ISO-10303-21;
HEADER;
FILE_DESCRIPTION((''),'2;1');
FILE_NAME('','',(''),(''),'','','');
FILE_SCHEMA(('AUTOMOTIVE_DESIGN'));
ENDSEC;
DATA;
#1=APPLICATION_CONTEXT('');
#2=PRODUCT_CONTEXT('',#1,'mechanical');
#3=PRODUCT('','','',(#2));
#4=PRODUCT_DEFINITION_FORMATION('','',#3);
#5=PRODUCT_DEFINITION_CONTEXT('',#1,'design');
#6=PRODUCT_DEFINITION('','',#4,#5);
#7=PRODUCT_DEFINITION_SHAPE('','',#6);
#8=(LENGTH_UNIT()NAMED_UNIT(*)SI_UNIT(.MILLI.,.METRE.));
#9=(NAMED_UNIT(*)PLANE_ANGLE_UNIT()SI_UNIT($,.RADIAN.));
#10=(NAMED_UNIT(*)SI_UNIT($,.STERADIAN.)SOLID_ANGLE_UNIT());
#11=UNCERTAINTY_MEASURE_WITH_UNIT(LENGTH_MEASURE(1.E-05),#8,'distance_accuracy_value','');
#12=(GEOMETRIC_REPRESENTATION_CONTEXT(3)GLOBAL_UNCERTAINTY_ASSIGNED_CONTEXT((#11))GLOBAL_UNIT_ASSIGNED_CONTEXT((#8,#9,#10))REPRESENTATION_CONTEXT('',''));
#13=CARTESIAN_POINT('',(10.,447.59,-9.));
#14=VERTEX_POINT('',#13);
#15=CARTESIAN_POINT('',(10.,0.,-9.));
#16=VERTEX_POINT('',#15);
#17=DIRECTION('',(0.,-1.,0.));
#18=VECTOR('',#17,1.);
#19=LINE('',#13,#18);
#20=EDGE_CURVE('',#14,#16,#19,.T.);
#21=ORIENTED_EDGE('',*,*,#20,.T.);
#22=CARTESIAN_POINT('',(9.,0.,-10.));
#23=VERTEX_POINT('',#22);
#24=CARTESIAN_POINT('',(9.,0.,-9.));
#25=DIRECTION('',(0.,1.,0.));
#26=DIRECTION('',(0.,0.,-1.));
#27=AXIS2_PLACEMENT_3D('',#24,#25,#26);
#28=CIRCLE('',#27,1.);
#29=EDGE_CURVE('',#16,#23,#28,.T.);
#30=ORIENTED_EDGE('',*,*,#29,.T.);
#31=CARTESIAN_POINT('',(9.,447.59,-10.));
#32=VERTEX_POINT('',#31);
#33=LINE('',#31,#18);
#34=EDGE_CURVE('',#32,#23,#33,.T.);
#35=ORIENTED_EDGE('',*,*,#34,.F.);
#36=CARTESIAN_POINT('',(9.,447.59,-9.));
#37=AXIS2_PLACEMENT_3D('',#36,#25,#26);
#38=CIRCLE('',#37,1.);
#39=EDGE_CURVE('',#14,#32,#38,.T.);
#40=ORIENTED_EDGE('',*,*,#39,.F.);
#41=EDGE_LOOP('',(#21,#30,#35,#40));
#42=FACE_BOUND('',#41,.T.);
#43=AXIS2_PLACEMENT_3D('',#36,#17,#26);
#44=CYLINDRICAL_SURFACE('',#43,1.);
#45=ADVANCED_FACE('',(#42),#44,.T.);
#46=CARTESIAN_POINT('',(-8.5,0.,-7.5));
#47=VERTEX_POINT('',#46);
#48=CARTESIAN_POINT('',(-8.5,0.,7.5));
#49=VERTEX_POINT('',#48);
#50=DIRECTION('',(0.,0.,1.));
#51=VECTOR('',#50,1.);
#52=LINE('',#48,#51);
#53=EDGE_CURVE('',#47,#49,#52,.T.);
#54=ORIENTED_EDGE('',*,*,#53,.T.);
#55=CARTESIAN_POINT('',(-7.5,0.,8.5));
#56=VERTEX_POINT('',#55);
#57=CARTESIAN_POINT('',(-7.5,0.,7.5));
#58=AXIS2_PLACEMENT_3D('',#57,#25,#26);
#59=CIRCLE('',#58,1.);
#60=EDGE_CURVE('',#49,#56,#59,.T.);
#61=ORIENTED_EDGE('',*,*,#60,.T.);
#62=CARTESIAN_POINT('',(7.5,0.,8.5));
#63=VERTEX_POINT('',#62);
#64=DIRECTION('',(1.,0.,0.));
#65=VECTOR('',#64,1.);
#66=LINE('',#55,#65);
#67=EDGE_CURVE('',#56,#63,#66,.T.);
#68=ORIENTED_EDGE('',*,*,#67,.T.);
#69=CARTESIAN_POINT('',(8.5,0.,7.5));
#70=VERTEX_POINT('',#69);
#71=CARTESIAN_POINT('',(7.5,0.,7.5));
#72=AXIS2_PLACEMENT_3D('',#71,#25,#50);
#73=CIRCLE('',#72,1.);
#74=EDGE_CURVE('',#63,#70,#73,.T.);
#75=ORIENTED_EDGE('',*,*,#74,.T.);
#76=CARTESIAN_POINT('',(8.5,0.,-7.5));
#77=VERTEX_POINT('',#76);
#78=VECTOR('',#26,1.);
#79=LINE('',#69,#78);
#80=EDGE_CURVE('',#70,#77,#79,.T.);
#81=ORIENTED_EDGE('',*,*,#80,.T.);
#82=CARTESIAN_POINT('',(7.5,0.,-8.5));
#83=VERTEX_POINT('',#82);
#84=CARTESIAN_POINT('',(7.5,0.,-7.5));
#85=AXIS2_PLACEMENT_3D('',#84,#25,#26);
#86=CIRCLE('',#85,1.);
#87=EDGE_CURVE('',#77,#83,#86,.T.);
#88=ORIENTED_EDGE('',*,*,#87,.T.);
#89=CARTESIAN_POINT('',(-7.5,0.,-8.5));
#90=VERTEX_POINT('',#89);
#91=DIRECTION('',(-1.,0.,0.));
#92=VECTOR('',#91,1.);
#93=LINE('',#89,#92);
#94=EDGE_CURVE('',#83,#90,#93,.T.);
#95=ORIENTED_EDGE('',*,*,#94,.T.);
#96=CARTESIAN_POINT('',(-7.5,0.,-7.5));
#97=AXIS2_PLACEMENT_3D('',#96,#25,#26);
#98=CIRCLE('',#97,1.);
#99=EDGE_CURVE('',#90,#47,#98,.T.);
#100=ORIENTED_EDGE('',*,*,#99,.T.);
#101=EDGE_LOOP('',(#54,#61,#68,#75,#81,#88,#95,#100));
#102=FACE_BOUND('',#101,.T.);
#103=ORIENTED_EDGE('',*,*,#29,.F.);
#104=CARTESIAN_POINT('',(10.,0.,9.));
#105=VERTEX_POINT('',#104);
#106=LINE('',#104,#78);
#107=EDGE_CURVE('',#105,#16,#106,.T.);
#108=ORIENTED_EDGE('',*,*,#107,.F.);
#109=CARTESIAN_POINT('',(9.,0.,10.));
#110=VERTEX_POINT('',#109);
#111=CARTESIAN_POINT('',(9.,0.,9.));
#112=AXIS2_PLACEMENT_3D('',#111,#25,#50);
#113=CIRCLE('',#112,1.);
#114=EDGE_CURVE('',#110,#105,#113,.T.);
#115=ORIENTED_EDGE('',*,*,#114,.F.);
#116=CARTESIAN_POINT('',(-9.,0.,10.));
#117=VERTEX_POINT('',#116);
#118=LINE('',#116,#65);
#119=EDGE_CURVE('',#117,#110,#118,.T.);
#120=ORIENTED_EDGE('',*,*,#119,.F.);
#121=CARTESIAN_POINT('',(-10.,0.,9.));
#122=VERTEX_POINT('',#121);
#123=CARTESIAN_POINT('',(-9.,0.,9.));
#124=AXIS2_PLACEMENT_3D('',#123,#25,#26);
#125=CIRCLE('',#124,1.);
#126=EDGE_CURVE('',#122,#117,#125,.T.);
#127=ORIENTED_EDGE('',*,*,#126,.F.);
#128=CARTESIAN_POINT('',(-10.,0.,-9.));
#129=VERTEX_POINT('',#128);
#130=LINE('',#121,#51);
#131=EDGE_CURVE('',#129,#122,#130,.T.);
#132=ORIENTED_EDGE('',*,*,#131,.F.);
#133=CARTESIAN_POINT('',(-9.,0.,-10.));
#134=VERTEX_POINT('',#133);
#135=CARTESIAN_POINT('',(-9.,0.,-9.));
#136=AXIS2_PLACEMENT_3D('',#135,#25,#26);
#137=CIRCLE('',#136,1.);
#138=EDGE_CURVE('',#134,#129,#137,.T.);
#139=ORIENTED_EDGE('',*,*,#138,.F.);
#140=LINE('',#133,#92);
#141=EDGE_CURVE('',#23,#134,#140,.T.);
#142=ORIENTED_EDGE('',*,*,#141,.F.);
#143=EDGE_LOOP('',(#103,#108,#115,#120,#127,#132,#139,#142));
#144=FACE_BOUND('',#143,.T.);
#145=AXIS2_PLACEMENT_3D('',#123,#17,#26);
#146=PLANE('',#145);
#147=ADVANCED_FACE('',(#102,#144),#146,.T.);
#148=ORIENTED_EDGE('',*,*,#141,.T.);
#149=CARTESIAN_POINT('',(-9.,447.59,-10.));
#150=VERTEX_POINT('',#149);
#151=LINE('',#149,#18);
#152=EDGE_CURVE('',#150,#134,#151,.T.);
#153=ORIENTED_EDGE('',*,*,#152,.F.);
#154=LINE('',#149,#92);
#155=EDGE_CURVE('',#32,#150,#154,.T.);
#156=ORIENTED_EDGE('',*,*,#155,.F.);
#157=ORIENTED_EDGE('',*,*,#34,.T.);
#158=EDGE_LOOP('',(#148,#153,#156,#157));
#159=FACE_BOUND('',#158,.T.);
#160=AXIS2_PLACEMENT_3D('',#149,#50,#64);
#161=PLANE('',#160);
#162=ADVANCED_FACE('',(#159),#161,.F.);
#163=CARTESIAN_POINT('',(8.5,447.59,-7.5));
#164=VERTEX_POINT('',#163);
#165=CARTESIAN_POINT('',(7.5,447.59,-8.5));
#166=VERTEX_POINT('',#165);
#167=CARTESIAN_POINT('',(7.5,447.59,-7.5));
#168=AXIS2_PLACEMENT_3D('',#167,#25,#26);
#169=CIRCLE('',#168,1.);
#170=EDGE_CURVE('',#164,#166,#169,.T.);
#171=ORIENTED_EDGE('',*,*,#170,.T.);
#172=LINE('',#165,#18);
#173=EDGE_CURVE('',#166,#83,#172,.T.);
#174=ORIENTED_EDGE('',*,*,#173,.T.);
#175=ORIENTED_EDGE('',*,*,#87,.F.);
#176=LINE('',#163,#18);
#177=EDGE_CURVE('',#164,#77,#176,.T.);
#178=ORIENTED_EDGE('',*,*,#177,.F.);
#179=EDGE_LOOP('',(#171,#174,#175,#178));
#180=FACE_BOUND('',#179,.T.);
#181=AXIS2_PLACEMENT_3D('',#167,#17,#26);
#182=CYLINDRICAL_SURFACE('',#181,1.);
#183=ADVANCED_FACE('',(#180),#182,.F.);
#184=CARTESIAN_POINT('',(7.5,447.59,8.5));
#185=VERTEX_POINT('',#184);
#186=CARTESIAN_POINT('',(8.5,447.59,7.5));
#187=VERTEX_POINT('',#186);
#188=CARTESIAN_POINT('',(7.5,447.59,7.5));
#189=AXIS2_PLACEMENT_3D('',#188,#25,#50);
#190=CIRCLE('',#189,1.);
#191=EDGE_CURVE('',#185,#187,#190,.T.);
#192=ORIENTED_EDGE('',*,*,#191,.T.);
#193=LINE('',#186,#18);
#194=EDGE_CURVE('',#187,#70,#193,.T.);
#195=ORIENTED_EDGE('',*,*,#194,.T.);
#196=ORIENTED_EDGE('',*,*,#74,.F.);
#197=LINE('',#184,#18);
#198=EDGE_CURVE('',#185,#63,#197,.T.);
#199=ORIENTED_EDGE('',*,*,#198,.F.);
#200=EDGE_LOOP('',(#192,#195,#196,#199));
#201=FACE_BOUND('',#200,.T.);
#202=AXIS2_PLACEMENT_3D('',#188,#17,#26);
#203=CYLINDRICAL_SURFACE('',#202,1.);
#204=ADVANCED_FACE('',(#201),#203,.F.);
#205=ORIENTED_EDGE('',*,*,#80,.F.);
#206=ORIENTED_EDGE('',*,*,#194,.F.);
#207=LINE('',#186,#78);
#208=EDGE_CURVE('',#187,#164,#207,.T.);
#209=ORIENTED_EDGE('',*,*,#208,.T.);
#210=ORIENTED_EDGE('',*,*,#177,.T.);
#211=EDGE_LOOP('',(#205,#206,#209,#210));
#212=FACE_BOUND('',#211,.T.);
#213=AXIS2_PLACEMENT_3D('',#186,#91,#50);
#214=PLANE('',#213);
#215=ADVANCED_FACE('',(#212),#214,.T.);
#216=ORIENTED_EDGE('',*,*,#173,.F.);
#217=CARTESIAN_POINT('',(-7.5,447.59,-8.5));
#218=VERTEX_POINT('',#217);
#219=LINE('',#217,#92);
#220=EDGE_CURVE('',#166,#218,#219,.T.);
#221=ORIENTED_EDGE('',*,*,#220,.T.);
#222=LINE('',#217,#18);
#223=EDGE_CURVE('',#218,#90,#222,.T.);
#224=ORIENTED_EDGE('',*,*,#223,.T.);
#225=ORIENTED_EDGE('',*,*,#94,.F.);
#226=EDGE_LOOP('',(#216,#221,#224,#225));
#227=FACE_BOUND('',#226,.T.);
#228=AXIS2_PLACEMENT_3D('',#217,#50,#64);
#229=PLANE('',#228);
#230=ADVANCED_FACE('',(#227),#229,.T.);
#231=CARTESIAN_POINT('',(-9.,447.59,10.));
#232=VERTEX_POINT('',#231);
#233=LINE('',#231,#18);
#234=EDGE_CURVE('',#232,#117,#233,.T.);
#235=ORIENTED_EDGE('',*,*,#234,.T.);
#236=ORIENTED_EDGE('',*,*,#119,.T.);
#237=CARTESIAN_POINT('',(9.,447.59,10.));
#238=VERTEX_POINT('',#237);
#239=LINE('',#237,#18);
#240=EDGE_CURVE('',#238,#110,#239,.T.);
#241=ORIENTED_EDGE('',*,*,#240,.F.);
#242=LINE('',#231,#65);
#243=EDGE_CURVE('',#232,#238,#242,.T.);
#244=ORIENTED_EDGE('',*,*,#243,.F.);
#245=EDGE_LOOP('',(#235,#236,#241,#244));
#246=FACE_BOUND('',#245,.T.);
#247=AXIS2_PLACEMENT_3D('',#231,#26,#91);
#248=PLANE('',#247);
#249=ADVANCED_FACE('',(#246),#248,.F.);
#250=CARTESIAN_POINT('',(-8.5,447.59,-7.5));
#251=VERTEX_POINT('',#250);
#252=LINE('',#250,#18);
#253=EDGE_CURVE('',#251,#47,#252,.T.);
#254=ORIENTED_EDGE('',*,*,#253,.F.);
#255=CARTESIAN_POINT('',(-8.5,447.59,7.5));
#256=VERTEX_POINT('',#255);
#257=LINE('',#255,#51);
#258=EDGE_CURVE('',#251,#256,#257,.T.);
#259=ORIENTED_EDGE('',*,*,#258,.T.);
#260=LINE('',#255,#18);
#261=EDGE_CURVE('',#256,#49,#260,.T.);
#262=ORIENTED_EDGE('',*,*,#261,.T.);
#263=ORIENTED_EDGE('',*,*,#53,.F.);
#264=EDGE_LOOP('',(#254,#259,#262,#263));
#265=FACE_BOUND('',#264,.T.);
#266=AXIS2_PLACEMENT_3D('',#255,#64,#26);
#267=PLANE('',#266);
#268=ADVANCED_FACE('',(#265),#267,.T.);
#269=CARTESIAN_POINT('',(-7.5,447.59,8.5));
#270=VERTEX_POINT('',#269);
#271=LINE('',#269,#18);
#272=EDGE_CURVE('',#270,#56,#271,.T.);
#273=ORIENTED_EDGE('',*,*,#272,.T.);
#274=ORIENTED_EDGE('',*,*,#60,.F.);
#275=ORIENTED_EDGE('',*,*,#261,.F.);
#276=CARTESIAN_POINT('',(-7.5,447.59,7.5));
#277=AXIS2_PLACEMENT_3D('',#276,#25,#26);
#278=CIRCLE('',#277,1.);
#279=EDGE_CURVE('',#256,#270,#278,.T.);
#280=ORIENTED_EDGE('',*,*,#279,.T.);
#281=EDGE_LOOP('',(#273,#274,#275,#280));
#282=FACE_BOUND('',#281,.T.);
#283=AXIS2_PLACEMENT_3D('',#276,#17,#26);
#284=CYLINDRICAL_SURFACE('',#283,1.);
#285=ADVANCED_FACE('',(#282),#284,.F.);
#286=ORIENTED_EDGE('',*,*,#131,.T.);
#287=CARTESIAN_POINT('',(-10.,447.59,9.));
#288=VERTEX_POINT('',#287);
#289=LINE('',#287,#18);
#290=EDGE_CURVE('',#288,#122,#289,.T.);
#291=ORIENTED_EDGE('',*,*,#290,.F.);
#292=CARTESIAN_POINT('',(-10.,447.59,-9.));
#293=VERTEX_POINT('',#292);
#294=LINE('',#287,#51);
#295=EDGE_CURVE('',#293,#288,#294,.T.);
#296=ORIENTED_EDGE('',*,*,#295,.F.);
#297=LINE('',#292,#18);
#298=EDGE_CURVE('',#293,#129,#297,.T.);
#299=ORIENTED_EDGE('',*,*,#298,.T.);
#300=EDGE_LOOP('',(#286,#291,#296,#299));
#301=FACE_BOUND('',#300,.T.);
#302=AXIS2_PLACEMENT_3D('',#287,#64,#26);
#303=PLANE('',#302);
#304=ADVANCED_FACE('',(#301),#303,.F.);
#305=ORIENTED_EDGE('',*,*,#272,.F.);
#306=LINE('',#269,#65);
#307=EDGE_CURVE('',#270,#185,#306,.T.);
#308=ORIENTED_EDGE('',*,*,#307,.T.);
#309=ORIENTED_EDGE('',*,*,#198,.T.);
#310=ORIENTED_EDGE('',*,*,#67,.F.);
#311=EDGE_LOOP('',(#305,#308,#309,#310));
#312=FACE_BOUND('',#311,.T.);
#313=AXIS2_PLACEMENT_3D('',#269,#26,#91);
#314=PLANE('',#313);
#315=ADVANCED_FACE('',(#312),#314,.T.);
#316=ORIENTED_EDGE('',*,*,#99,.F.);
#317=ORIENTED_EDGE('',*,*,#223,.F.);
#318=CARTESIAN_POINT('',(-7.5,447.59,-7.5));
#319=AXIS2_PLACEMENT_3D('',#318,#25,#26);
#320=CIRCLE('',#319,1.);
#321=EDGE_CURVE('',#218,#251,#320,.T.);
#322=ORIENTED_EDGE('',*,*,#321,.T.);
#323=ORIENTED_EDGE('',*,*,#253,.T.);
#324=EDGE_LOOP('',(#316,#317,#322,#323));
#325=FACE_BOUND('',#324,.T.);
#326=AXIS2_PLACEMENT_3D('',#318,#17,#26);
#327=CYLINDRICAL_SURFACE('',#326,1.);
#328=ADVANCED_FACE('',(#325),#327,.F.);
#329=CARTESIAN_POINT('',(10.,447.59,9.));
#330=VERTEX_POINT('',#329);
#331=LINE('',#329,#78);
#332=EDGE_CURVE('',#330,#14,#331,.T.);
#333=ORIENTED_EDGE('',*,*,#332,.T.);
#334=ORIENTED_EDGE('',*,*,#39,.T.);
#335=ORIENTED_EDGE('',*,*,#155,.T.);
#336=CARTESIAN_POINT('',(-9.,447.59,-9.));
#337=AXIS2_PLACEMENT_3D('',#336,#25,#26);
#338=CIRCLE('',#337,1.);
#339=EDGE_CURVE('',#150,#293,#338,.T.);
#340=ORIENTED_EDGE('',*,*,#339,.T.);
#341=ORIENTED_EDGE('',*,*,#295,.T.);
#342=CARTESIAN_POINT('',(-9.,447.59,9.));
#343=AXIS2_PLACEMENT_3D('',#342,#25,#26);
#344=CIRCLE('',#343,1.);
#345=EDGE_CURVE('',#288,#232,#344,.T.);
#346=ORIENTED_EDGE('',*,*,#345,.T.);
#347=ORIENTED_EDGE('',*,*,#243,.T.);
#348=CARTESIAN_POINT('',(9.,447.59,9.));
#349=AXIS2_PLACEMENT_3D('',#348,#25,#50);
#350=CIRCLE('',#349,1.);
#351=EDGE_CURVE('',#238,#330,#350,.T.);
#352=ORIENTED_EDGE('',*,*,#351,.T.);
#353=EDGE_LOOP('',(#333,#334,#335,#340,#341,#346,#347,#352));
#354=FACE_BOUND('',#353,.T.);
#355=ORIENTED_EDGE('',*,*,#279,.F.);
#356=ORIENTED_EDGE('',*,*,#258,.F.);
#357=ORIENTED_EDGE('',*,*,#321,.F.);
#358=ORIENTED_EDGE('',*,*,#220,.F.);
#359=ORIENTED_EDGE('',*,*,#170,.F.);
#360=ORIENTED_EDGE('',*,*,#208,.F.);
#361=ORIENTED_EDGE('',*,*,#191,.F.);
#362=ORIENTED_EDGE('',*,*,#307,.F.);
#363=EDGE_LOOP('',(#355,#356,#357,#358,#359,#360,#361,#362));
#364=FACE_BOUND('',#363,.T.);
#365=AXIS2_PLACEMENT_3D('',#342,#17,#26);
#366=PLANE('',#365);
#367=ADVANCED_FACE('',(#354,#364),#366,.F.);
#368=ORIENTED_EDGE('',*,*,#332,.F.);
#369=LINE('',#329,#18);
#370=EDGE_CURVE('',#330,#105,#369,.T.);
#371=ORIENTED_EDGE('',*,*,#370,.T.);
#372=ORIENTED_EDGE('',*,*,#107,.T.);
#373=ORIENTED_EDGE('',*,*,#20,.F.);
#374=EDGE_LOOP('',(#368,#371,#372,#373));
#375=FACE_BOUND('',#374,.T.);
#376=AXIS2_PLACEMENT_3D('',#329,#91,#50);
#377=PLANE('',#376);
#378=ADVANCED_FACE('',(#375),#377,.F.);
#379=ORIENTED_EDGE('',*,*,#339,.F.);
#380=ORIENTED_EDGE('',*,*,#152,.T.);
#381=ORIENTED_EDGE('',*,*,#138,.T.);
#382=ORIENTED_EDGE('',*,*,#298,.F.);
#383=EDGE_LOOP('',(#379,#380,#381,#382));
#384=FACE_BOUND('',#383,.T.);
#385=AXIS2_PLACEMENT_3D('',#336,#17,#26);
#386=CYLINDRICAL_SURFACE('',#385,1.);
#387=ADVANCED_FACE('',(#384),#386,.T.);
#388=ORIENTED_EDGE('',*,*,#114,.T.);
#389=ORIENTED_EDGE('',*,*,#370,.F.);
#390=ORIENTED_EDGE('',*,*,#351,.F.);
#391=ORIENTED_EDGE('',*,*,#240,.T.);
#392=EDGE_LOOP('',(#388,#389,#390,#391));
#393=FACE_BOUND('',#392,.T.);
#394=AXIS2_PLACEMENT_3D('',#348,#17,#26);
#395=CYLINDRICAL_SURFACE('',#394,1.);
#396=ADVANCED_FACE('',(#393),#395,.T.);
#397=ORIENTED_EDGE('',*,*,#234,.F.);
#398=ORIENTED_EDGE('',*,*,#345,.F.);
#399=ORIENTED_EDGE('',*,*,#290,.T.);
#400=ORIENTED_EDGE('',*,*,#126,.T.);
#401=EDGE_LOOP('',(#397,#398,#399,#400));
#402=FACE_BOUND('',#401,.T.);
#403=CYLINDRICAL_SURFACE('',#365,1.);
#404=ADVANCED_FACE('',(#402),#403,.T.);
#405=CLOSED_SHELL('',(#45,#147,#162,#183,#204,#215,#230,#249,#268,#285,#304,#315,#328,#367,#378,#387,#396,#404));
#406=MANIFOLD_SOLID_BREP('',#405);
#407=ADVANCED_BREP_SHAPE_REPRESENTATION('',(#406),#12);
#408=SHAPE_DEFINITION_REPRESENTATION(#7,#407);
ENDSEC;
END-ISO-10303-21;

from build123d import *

# Parameters (mm, degrees)
BOSS_EXTRUDE1_DEPTH = 447.59


with BuildPart() as part:
    # Sketch1 → Boss-Extrude1 (new body)
    with BuildSketch(Plane(origin=(0, 0, 0), x_dir=(1, 0, 0), z_dir=(0, 1, 0))):
        with BuildLine():
            Line((-9, -10), (9, -10))
            ThreePointArc((9, -10), (9.707106781, -9.707106781), (10, -9))
            Line((10, -9), (10, 9))
            ThreePointArc((10, 9), (9.707106781, 9.707106781), (9, 10))
            Line((9, 10), (-9, 10))
            ThreePointArc((-9, 10), (-9.707106781, 9.707106781), (-10, 9))
            Line((-10, 9), (-10, -9))
            ThreePointArc((-10, -9), (-9.707106781, -9.707106781), (-9, -10))
        make_face()
        with BuildLine():
            Line((-7.5, -8.5), (7.5, -8.5))
            ThreePointArc((7.5, -8.5), (8.207106781, -8.207106781), (8.5, -7.5))
            Line((8.5, -7.5), (8.5, 7.5))
            ThreePointArc((8.5, 7.5), (8.207106781, 8.207106781), (7.5, 8.5))
            Line((7.5, 8.5), (-7.5, 8.5))
            ThreePointArc((-7.5, 8.5), (-8.207106781, 8.207106781), (-8.5, 7.5))
            Line((-8.5, 7.5), (-8.5, -7.5))
            ThreePointArc((-8.5, -7.5), (-8.207106781, -8.207106781), (-7.5, -8.5))
        make_face(mode=Mode.SUBTRACT)
    extrude(amount=BOSS_EXTRUDE1_DEPTH)


solid = part.part
